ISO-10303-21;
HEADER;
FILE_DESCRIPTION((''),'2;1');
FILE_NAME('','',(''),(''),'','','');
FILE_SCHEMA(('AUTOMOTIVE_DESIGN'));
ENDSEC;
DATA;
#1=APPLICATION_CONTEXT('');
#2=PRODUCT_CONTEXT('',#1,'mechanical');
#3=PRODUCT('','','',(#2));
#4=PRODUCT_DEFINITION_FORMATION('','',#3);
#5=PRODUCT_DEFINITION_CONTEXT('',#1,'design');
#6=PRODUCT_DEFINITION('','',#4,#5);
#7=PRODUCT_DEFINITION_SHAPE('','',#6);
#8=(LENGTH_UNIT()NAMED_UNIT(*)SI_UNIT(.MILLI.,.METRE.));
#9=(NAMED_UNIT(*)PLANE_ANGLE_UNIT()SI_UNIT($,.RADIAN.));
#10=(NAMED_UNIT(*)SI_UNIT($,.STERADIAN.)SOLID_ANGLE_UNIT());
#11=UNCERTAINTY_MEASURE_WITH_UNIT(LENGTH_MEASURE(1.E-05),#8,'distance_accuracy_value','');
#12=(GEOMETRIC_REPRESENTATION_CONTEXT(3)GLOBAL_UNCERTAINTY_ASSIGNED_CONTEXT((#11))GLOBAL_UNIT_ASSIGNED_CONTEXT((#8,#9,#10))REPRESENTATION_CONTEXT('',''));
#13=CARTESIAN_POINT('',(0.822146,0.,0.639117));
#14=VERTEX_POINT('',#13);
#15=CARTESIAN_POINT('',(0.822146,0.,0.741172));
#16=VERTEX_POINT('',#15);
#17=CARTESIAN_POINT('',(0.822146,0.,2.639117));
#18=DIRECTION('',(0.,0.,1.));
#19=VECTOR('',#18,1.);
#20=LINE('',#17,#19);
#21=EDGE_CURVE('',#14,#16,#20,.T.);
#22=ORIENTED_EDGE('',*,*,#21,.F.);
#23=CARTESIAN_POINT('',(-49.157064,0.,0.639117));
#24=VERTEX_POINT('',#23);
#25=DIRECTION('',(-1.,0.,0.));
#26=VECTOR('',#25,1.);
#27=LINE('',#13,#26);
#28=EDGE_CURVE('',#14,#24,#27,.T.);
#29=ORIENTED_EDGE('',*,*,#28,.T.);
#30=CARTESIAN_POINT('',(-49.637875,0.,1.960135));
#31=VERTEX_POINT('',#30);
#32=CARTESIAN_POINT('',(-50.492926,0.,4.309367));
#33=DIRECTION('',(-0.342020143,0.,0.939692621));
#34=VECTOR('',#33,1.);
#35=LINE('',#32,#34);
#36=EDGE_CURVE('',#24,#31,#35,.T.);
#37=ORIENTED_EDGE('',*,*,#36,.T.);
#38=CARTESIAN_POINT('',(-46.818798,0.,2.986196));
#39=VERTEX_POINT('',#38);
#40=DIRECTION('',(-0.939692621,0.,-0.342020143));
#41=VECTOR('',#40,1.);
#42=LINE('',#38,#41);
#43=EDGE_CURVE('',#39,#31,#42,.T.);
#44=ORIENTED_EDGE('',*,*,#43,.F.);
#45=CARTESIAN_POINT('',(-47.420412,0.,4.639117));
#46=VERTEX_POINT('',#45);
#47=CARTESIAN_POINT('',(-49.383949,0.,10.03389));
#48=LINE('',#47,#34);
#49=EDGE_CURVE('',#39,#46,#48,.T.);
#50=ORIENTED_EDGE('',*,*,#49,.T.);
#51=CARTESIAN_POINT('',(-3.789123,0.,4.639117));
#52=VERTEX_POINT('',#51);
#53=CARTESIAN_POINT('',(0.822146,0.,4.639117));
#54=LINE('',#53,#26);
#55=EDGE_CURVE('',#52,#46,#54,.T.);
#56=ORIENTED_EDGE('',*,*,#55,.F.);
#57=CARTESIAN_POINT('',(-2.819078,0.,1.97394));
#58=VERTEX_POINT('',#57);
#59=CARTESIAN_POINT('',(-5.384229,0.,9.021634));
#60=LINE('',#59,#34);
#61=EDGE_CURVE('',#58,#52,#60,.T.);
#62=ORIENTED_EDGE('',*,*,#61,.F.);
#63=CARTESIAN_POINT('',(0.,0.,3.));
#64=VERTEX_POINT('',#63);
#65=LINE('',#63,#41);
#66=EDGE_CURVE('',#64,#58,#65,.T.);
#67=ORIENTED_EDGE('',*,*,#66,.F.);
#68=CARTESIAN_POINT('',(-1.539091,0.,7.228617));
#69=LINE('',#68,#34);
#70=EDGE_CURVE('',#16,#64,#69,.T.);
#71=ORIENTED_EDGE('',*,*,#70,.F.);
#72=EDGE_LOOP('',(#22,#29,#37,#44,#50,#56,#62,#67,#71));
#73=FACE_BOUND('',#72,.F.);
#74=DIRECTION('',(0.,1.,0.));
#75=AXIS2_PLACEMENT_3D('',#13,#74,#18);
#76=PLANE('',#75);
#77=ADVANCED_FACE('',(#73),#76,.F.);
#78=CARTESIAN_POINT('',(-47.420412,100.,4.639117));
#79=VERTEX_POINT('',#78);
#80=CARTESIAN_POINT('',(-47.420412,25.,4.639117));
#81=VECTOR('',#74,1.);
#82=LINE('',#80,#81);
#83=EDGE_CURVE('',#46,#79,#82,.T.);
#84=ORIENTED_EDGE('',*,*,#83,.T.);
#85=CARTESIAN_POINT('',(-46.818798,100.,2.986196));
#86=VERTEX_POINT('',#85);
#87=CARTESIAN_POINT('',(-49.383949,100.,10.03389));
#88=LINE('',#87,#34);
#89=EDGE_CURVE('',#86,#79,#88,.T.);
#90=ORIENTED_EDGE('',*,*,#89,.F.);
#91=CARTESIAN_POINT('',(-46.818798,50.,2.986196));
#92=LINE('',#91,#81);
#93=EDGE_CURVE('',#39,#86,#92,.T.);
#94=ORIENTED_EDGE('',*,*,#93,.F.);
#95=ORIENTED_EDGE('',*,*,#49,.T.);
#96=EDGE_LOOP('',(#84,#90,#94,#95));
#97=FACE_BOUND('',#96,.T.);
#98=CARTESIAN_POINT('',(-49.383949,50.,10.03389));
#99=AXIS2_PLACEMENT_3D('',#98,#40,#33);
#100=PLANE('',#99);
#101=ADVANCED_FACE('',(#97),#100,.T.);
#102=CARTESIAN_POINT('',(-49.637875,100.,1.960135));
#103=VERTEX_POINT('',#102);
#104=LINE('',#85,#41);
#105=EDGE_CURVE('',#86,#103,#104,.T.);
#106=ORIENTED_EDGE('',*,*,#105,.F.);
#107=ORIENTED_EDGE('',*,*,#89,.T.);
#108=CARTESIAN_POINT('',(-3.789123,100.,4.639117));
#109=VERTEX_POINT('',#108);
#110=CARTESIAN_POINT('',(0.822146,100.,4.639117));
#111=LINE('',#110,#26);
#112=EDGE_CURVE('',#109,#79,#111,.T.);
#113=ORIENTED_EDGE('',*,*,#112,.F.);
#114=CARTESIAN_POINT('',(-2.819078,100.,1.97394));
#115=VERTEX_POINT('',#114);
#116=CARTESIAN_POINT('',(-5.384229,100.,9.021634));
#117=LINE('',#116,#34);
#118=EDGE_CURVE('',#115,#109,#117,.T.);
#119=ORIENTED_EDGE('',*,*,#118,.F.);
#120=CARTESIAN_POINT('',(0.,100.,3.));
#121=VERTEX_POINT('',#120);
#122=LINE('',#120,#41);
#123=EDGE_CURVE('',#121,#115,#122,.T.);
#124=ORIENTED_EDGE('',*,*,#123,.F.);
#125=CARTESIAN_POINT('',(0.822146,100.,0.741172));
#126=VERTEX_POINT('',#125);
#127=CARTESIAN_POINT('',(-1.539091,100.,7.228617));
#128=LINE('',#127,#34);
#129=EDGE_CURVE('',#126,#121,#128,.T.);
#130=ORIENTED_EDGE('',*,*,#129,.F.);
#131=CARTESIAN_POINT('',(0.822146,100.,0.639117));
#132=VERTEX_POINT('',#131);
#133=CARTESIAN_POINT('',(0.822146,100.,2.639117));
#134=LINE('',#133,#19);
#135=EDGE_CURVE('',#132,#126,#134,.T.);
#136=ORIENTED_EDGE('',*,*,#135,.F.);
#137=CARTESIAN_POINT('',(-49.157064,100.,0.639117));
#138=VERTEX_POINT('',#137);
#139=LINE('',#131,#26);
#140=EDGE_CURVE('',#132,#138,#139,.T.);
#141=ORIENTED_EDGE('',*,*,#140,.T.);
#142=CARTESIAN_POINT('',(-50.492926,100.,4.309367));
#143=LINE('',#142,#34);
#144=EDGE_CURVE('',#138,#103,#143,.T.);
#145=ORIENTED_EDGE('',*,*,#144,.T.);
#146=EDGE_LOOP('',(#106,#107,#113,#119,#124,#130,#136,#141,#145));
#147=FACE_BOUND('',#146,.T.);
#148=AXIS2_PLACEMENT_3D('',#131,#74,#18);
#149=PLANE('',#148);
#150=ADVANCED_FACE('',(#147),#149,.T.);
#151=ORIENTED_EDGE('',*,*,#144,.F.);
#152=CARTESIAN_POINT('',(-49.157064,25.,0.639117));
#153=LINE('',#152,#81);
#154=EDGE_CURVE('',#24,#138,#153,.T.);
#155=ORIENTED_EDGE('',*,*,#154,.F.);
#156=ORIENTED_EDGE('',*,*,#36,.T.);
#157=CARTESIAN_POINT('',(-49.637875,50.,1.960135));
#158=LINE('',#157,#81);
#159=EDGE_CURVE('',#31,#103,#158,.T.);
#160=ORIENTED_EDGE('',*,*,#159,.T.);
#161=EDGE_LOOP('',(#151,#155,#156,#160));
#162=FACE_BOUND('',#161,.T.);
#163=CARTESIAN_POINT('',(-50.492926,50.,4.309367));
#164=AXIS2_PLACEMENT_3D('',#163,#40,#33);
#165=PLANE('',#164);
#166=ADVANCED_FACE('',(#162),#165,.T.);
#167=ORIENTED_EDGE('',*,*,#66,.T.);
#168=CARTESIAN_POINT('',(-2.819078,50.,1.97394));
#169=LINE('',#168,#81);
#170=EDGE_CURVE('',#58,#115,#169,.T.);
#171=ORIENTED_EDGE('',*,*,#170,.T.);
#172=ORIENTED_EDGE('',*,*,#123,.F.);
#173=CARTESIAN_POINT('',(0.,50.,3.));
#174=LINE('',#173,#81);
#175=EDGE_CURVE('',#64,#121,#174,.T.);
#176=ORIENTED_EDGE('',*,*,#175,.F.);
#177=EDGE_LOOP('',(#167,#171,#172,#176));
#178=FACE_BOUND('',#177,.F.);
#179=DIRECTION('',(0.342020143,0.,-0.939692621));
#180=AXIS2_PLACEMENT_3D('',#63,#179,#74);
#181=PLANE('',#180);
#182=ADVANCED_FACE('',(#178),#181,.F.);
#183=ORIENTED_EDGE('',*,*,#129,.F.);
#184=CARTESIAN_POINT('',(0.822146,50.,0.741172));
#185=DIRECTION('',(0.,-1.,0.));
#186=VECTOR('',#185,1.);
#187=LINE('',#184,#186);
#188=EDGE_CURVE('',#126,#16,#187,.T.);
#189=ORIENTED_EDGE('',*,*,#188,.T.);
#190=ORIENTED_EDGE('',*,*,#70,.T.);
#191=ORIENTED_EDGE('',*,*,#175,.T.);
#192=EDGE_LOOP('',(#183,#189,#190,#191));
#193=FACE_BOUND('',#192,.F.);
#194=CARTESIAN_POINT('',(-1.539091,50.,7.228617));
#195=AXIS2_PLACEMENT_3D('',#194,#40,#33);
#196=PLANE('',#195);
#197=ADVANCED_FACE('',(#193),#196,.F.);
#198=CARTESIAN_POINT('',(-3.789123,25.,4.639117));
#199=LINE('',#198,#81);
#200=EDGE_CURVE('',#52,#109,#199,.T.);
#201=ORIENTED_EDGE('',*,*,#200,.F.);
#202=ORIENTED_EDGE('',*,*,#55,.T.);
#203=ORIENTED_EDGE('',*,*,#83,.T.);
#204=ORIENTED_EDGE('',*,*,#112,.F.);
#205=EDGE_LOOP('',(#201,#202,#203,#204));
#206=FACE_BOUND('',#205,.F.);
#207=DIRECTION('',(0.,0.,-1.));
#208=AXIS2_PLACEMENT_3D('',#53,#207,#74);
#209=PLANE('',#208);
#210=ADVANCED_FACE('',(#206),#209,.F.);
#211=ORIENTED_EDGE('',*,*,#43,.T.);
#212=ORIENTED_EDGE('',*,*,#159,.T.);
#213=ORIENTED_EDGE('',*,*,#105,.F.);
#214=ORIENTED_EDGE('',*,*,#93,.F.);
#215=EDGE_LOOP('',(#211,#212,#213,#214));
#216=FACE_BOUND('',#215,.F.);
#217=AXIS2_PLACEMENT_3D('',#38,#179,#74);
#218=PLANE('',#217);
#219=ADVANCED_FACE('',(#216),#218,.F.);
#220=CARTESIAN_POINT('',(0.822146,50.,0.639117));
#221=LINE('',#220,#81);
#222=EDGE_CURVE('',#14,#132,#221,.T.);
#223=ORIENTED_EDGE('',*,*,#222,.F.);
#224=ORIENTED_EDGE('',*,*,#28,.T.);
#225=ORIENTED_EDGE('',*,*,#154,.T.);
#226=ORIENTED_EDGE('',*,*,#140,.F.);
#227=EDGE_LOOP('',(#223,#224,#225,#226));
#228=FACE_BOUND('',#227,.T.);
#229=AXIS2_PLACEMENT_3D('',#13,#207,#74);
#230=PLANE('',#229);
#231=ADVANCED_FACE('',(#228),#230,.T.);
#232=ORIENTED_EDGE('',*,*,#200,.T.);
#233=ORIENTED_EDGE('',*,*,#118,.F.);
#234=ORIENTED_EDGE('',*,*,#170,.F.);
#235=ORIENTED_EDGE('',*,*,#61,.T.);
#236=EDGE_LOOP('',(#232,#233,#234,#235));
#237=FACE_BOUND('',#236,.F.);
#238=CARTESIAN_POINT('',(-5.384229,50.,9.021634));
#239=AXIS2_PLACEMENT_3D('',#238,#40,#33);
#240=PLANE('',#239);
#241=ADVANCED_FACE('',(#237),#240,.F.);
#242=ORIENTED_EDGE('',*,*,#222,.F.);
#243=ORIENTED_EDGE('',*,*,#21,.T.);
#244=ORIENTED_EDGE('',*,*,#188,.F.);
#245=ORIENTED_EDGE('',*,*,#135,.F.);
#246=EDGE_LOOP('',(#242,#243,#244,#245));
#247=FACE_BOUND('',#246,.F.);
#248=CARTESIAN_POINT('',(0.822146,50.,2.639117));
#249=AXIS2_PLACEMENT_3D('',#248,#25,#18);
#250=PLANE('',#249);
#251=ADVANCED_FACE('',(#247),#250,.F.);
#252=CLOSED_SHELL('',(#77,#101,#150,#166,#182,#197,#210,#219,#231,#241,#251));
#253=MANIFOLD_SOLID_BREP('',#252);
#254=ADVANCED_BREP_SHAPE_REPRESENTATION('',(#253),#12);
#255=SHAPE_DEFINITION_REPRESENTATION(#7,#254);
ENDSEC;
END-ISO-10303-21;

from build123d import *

# Parameters (mm, degrees)
BOX018_W               = 15
BOX018_H               = 100
BOX018_DEPTH           = 3
BOX017_W               = 15
BOX017_H               = 100
BOX017_DEPTH           = 3
BOX016_W               = 27
BOX016_H               = 100
BOX016_DEPTH           = 3
BOX015_W               = 27
BOX015_H               = 100
BOX015_DEPTH           = 3
BOX014_W               = 4
BOX014_H               = 100
BOX014_DEPTH           = 51
BOX014_PITCH_ANGLE     = 20
CUT012_PLACEMENT_ANGLE = 110


with BuildPart() as ranura_superior:
    # Box018 → Box018 (new body)
    with BuildSketch(Plane(origin=(16, 0, 44), x_dir=(1, 0, 0), z_dir=(0, 0, 1))):
        with Locations((7.5, 50)):
            Rectangle(BOX018_W, BOX018_H)
    extrude(amount=BOX018_DEPTH)


with BuildPart() as ranura_inferiror:
    # Box017 → Box017 (new body)
    with BuildSketch(Plane.XY):
        with Locations((7.5, 50)):
            Rectangle(BOX017_W, BOX017_H)
    extrude(amount=BOX017_DEPTH)


with BuildPart() as plancha_resta_arriba:
    # Box016 → Box016 (new body)
    with BuildSketch(Plane(origin=(5, 0, 47), x_dir=(1, 0, 0), z_dir=(0, 0, 1))):
        with Locations((13.5, 50)):
            Rectangle(BOX016_W, BOX016_H)
    extrude(amount=BOX016_DEPTH)


with BuildPart() as plancha_resta_abajo:
    # Box015 → Box015 (new body)
    with BuildSketch(Plane(origin=(-9, 0, -3), x_dir=(1, 0, 0), z_dir=(0, 0, 1))):
        with Locations((13.5, 50)):
            Rectangle(BOX015_W, BOX015_H)
    extrude(amount=BOX015_DEPTH)


with BuildPart() as tapa_alante_con_ranuras:
    # Box014 → Box014 (new body)
    with BuildSketch(Plane.XY):
        with Locations((2, 50)):
            Rectangle(BOX014_W, BOX014_H)
    extrude(amount=BOX014_DEPTH)


with BuildPart() as tapa_alante_con_ranuras_1:
    # Box014 pitch: moved
    add(tapa_alante_con_ranuras.part.rotate(Axis((0, 0, 0), (0, 1, 0)), BOX014_PITCH_ANGLE))


with BuildPart() as tapa_alante_con_ranuras_2:
    # Box014 placement: moved
    add(tapa_alante_con_ranuras_1.part.moved(Location((-2.499695, 0, 0.034905))))

    # Cut009: cut plancha resta abajo
    add(plancha_resta_abajo.part, mode=Mode.SUBTRACT)

    # Cut010: cut plancha resta arriba
    add(plancha_resta_arriba.part, mode=Mode.SUBTRACT)

    # Cut011: cut ranura inferiror
    add(ranura_inferiror.part, mode=Mode.SUBTRACT)

    # Cut012: cut ranura superior
    add(ranura_superior.part, mode=Mode.SUBTRACT)


with BuildPart() as tapa_alante_con_ranuras_3:
    # Cut012 placement: moved
    add(tapa_alante_con_ranuras_2.part.moved(Location((0, 0, 3))).rotate(Axis((0, 0, 3), (0, -1, 0)), CUT012_PLACEMENT_ANGLE))


solid = tapa_alante_con_ranuras_3.part
